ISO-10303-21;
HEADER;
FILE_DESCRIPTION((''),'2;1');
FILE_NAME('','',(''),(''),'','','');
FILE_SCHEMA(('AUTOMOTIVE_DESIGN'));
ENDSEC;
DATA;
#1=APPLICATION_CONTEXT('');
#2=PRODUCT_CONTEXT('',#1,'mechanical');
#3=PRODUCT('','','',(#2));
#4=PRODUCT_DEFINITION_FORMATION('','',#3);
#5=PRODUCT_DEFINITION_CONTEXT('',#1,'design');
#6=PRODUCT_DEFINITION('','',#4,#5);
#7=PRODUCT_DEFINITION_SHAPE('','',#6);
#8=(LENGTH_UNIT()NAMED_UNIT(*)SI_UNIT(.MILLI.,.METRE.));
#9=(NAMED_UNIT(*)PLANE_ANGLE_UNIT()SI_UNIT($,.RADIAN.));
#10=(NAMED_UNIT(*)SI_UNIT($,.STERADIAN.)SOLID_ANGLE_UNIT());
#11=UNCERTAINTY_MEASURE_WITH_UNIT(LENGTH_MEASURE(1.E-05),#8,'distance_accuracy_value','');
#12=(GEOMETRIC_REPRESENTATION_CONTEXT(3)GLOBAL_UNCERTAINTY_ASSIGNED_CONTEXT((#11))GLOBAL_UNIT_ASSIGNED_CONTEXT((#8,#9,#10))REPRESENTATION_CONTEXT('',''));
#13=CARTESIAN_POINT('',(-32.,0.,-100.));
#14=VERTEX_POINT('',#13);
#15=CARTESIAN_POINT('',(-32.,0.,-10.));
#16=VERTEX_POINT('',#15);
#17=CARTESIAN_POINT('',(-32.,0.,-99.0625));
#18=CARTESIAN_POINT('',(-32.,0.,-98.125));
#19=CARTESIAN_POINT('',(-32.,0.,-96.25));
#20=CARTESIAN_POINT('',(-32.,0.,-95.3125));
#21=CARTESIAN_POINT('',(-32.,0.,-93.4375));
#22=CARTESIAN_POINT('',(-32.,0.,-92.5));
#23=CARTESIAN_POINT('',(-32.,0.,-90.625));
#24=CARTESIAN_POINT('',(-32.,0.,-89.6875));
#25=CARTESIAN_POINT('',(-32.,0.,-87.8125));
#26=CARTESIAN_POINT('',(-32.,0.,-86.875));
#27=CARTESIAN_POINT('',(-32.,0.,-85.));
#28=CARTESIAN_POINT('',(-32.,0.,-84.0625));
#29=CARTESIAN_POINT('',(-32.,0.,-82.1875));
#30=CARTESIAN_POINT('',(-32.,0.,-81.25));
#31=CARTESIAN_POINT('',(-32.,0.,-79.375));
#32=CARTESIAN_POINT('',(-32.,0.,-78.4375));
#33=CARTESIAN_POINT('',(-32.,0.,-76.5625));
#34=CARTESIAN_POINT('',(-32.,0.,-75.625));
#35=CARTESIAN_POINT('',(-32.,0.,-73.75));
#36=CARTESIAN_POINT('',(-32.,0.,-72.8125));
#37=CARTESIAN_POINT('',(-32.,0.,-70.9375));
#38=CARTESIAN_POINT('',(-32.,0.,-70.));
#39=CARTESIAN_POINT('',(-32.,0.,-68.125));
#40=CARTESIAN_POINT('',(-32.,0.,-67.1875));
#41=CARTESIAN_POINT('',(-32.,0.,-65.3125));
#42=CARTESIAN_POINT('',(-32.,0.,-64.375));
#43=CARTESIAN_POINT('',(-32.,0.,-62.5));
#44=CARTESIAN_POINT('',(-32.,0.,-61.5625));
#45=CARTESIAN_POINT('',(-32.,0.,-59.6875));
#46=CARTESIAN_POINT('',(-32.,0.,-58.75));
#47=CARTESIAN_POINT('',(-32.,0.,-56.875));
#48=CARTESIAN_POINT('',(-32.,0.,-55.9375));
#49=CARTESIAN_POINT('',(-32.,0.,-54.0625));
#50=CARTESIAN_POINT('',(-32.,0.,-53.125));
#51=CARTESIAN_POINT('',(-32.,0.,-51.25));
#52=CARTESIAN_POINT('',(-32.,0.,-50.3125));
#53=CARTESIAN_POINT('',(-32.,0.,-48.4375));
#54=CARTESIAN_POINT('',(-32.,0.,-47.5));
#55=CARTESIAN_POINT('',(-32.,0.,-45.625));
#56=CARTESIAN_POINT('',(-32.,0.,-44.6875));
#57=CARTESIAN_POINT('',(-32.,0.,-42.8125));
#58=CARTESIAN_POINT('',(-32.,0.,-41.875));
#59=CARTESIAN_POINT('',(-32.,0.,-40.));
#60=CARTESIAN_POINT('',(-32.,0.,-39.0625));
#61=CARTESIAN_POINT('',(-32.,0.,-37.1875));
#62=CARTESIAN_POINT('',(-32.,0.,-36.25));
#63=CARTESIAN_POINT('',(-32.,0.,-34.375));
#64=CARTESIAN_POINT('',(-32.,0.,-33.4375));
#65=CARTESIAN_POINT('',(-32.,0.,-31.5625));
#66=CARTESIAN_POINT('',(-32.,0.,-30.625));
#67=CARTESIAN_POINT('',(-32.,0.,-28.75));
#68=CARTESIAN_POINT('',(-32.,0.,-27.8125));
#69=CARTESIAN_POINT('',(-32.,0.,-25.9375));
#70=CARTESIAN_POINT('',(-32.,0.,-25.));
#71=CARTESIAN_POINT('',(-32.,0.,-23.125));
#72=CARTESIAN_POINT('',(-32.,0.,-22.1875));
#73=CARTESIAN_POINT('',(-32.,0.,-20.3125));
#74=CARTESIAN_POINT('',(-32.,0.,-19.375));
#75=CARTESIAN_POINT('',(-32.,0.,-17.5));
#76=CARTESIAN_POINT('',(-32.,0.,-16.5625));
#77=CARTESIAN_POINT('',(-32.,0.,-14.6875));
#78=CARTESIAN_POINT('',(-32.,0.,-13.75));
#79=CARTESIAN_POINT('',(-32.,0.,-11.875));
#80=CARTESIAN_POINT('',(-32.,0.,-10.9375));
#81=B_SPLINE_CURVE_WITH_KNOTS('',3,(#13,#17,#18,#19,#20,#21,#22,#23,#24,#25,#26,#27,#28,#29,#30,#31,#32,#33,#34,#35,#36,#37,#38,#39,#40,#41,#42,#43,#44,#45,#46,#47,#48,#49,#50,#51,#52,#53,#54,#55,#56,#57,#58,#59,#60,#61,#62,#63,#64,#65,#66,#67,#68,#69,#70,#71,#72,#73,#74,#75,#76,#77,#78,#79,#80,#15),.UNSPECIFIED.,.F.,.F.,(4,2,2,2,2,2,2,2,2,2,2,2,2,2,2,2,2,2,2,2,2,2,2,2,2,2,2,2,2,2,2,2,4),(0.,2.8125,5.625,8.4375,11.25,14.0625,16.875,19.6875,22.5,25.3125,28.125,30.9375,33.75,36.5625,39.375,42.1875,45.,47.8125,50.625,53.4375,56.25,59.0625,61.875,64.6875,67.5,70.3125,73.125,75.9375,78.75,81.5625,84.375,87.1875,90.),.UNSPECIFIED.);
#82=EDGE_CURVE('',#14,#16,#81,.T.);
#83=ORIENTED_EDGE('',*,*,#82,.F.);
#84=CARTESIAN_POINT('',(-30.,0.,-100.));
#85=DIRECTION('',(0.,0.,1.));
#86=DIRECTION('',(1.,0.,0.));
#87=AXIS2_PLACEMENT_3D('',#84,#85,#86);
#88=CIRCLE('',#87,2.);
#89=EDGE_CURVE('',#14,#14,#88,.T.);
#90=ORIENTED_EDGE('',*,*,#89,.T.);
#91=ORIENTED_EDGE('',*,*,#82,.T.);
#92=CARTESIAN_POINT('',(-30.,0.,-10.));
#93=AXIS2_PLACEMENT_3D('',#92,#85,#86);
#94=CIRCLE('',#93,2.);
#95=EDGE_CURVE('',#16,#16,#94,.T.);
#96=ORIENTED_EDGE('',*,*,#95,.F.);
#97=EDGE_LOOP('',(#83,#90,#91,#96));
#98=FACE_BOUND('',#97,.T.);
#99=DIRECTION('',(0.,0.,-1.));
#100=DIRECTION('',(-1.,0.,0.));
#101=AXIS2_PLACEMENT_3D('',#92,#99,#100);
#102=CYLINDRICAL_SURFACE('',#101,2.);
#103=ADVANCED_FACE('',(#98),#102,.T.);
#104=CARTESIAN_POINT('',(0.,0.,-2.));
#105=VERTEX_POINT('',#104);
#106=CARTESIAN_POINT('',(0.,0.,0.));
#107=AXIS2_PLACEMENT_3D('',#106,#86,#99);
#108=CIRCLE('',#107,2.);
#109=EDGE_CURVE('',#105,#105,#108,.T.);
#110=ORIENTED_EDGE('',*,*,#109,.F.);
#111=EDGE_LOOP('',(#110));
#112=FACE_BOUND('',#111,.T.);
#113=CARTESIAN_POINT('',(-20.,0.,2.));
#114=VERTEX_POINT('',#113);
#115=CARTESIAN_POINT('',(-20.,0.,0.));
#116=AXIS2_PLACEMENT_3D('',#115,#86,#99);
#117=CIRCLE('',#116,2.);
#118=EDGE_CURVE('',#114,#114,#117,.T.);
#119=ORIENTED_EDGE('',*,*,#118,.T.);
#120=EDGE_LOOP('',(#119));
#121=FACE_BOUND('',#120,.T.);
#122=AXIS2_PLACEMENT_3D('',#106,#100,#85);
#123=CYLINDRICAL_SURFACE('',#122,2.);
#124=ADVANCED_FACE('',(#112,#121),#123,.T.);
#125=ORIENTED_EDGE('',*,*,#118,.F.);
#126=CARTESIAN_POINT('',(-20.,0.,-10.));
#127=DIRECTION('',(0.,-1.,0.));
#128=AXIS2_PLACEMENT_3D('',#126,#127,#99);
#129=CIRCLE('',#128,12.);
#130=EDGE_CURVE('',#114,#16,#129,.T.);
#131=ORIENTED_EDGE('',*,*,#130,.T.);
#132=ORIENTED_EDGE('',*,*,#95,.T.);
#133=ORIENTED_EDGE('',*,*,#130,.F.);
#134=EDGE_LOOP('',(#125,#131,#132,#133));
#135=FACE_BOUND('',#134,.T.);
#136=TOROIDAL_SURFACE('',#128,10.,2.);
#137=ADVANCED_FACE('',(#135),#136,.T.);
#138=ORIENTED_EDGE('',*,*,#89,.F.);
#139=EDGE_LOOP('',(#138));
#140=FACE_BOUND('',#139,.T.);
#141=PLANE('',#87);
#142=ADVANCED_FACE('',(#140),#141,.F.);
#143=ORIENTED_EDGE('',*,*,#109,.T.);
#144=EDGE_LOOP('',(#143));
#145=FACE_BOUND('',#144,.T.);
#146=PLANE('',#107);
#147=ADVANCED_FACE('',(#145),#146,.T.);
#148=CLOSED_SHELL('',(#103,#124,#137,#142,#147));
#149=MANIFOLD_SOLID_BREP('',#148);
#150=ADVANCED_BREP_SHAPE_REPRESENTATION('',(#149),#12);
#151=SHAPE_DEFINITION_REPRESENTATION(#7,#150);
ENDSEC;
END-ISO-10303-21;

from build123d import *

# Parameters (mm, degrees)
SWEEP1_PROFILE_R = 2


with BuildPart() as part:
    # Sweep1: sweep along a path in Sketch2
    with BuildLine(Plane(origin=(0, 0, 0), x_dir=(1, 0, 0), z_dir=(0, 1, 0))) as sweep1_path:
        Line((0, 0), (-20, 0))
        ThreePointArc((-20, 0), (-27.071067812, 2.928932188), (-30, 10))
        Line((-30, 10), (-30, 100))
    # Sweep1 profile (on start of the path) → Sweep1 (sweep)
    with BuildSketch(Plane(origin=(0, 0, 0), x_dir=(0, 0, -1), z_dir=(-1, 0, 0))):
        Circle(SWEEP1_PROFILE_R)
    sweep(path=sweep1_path.line)


solid = part.part
